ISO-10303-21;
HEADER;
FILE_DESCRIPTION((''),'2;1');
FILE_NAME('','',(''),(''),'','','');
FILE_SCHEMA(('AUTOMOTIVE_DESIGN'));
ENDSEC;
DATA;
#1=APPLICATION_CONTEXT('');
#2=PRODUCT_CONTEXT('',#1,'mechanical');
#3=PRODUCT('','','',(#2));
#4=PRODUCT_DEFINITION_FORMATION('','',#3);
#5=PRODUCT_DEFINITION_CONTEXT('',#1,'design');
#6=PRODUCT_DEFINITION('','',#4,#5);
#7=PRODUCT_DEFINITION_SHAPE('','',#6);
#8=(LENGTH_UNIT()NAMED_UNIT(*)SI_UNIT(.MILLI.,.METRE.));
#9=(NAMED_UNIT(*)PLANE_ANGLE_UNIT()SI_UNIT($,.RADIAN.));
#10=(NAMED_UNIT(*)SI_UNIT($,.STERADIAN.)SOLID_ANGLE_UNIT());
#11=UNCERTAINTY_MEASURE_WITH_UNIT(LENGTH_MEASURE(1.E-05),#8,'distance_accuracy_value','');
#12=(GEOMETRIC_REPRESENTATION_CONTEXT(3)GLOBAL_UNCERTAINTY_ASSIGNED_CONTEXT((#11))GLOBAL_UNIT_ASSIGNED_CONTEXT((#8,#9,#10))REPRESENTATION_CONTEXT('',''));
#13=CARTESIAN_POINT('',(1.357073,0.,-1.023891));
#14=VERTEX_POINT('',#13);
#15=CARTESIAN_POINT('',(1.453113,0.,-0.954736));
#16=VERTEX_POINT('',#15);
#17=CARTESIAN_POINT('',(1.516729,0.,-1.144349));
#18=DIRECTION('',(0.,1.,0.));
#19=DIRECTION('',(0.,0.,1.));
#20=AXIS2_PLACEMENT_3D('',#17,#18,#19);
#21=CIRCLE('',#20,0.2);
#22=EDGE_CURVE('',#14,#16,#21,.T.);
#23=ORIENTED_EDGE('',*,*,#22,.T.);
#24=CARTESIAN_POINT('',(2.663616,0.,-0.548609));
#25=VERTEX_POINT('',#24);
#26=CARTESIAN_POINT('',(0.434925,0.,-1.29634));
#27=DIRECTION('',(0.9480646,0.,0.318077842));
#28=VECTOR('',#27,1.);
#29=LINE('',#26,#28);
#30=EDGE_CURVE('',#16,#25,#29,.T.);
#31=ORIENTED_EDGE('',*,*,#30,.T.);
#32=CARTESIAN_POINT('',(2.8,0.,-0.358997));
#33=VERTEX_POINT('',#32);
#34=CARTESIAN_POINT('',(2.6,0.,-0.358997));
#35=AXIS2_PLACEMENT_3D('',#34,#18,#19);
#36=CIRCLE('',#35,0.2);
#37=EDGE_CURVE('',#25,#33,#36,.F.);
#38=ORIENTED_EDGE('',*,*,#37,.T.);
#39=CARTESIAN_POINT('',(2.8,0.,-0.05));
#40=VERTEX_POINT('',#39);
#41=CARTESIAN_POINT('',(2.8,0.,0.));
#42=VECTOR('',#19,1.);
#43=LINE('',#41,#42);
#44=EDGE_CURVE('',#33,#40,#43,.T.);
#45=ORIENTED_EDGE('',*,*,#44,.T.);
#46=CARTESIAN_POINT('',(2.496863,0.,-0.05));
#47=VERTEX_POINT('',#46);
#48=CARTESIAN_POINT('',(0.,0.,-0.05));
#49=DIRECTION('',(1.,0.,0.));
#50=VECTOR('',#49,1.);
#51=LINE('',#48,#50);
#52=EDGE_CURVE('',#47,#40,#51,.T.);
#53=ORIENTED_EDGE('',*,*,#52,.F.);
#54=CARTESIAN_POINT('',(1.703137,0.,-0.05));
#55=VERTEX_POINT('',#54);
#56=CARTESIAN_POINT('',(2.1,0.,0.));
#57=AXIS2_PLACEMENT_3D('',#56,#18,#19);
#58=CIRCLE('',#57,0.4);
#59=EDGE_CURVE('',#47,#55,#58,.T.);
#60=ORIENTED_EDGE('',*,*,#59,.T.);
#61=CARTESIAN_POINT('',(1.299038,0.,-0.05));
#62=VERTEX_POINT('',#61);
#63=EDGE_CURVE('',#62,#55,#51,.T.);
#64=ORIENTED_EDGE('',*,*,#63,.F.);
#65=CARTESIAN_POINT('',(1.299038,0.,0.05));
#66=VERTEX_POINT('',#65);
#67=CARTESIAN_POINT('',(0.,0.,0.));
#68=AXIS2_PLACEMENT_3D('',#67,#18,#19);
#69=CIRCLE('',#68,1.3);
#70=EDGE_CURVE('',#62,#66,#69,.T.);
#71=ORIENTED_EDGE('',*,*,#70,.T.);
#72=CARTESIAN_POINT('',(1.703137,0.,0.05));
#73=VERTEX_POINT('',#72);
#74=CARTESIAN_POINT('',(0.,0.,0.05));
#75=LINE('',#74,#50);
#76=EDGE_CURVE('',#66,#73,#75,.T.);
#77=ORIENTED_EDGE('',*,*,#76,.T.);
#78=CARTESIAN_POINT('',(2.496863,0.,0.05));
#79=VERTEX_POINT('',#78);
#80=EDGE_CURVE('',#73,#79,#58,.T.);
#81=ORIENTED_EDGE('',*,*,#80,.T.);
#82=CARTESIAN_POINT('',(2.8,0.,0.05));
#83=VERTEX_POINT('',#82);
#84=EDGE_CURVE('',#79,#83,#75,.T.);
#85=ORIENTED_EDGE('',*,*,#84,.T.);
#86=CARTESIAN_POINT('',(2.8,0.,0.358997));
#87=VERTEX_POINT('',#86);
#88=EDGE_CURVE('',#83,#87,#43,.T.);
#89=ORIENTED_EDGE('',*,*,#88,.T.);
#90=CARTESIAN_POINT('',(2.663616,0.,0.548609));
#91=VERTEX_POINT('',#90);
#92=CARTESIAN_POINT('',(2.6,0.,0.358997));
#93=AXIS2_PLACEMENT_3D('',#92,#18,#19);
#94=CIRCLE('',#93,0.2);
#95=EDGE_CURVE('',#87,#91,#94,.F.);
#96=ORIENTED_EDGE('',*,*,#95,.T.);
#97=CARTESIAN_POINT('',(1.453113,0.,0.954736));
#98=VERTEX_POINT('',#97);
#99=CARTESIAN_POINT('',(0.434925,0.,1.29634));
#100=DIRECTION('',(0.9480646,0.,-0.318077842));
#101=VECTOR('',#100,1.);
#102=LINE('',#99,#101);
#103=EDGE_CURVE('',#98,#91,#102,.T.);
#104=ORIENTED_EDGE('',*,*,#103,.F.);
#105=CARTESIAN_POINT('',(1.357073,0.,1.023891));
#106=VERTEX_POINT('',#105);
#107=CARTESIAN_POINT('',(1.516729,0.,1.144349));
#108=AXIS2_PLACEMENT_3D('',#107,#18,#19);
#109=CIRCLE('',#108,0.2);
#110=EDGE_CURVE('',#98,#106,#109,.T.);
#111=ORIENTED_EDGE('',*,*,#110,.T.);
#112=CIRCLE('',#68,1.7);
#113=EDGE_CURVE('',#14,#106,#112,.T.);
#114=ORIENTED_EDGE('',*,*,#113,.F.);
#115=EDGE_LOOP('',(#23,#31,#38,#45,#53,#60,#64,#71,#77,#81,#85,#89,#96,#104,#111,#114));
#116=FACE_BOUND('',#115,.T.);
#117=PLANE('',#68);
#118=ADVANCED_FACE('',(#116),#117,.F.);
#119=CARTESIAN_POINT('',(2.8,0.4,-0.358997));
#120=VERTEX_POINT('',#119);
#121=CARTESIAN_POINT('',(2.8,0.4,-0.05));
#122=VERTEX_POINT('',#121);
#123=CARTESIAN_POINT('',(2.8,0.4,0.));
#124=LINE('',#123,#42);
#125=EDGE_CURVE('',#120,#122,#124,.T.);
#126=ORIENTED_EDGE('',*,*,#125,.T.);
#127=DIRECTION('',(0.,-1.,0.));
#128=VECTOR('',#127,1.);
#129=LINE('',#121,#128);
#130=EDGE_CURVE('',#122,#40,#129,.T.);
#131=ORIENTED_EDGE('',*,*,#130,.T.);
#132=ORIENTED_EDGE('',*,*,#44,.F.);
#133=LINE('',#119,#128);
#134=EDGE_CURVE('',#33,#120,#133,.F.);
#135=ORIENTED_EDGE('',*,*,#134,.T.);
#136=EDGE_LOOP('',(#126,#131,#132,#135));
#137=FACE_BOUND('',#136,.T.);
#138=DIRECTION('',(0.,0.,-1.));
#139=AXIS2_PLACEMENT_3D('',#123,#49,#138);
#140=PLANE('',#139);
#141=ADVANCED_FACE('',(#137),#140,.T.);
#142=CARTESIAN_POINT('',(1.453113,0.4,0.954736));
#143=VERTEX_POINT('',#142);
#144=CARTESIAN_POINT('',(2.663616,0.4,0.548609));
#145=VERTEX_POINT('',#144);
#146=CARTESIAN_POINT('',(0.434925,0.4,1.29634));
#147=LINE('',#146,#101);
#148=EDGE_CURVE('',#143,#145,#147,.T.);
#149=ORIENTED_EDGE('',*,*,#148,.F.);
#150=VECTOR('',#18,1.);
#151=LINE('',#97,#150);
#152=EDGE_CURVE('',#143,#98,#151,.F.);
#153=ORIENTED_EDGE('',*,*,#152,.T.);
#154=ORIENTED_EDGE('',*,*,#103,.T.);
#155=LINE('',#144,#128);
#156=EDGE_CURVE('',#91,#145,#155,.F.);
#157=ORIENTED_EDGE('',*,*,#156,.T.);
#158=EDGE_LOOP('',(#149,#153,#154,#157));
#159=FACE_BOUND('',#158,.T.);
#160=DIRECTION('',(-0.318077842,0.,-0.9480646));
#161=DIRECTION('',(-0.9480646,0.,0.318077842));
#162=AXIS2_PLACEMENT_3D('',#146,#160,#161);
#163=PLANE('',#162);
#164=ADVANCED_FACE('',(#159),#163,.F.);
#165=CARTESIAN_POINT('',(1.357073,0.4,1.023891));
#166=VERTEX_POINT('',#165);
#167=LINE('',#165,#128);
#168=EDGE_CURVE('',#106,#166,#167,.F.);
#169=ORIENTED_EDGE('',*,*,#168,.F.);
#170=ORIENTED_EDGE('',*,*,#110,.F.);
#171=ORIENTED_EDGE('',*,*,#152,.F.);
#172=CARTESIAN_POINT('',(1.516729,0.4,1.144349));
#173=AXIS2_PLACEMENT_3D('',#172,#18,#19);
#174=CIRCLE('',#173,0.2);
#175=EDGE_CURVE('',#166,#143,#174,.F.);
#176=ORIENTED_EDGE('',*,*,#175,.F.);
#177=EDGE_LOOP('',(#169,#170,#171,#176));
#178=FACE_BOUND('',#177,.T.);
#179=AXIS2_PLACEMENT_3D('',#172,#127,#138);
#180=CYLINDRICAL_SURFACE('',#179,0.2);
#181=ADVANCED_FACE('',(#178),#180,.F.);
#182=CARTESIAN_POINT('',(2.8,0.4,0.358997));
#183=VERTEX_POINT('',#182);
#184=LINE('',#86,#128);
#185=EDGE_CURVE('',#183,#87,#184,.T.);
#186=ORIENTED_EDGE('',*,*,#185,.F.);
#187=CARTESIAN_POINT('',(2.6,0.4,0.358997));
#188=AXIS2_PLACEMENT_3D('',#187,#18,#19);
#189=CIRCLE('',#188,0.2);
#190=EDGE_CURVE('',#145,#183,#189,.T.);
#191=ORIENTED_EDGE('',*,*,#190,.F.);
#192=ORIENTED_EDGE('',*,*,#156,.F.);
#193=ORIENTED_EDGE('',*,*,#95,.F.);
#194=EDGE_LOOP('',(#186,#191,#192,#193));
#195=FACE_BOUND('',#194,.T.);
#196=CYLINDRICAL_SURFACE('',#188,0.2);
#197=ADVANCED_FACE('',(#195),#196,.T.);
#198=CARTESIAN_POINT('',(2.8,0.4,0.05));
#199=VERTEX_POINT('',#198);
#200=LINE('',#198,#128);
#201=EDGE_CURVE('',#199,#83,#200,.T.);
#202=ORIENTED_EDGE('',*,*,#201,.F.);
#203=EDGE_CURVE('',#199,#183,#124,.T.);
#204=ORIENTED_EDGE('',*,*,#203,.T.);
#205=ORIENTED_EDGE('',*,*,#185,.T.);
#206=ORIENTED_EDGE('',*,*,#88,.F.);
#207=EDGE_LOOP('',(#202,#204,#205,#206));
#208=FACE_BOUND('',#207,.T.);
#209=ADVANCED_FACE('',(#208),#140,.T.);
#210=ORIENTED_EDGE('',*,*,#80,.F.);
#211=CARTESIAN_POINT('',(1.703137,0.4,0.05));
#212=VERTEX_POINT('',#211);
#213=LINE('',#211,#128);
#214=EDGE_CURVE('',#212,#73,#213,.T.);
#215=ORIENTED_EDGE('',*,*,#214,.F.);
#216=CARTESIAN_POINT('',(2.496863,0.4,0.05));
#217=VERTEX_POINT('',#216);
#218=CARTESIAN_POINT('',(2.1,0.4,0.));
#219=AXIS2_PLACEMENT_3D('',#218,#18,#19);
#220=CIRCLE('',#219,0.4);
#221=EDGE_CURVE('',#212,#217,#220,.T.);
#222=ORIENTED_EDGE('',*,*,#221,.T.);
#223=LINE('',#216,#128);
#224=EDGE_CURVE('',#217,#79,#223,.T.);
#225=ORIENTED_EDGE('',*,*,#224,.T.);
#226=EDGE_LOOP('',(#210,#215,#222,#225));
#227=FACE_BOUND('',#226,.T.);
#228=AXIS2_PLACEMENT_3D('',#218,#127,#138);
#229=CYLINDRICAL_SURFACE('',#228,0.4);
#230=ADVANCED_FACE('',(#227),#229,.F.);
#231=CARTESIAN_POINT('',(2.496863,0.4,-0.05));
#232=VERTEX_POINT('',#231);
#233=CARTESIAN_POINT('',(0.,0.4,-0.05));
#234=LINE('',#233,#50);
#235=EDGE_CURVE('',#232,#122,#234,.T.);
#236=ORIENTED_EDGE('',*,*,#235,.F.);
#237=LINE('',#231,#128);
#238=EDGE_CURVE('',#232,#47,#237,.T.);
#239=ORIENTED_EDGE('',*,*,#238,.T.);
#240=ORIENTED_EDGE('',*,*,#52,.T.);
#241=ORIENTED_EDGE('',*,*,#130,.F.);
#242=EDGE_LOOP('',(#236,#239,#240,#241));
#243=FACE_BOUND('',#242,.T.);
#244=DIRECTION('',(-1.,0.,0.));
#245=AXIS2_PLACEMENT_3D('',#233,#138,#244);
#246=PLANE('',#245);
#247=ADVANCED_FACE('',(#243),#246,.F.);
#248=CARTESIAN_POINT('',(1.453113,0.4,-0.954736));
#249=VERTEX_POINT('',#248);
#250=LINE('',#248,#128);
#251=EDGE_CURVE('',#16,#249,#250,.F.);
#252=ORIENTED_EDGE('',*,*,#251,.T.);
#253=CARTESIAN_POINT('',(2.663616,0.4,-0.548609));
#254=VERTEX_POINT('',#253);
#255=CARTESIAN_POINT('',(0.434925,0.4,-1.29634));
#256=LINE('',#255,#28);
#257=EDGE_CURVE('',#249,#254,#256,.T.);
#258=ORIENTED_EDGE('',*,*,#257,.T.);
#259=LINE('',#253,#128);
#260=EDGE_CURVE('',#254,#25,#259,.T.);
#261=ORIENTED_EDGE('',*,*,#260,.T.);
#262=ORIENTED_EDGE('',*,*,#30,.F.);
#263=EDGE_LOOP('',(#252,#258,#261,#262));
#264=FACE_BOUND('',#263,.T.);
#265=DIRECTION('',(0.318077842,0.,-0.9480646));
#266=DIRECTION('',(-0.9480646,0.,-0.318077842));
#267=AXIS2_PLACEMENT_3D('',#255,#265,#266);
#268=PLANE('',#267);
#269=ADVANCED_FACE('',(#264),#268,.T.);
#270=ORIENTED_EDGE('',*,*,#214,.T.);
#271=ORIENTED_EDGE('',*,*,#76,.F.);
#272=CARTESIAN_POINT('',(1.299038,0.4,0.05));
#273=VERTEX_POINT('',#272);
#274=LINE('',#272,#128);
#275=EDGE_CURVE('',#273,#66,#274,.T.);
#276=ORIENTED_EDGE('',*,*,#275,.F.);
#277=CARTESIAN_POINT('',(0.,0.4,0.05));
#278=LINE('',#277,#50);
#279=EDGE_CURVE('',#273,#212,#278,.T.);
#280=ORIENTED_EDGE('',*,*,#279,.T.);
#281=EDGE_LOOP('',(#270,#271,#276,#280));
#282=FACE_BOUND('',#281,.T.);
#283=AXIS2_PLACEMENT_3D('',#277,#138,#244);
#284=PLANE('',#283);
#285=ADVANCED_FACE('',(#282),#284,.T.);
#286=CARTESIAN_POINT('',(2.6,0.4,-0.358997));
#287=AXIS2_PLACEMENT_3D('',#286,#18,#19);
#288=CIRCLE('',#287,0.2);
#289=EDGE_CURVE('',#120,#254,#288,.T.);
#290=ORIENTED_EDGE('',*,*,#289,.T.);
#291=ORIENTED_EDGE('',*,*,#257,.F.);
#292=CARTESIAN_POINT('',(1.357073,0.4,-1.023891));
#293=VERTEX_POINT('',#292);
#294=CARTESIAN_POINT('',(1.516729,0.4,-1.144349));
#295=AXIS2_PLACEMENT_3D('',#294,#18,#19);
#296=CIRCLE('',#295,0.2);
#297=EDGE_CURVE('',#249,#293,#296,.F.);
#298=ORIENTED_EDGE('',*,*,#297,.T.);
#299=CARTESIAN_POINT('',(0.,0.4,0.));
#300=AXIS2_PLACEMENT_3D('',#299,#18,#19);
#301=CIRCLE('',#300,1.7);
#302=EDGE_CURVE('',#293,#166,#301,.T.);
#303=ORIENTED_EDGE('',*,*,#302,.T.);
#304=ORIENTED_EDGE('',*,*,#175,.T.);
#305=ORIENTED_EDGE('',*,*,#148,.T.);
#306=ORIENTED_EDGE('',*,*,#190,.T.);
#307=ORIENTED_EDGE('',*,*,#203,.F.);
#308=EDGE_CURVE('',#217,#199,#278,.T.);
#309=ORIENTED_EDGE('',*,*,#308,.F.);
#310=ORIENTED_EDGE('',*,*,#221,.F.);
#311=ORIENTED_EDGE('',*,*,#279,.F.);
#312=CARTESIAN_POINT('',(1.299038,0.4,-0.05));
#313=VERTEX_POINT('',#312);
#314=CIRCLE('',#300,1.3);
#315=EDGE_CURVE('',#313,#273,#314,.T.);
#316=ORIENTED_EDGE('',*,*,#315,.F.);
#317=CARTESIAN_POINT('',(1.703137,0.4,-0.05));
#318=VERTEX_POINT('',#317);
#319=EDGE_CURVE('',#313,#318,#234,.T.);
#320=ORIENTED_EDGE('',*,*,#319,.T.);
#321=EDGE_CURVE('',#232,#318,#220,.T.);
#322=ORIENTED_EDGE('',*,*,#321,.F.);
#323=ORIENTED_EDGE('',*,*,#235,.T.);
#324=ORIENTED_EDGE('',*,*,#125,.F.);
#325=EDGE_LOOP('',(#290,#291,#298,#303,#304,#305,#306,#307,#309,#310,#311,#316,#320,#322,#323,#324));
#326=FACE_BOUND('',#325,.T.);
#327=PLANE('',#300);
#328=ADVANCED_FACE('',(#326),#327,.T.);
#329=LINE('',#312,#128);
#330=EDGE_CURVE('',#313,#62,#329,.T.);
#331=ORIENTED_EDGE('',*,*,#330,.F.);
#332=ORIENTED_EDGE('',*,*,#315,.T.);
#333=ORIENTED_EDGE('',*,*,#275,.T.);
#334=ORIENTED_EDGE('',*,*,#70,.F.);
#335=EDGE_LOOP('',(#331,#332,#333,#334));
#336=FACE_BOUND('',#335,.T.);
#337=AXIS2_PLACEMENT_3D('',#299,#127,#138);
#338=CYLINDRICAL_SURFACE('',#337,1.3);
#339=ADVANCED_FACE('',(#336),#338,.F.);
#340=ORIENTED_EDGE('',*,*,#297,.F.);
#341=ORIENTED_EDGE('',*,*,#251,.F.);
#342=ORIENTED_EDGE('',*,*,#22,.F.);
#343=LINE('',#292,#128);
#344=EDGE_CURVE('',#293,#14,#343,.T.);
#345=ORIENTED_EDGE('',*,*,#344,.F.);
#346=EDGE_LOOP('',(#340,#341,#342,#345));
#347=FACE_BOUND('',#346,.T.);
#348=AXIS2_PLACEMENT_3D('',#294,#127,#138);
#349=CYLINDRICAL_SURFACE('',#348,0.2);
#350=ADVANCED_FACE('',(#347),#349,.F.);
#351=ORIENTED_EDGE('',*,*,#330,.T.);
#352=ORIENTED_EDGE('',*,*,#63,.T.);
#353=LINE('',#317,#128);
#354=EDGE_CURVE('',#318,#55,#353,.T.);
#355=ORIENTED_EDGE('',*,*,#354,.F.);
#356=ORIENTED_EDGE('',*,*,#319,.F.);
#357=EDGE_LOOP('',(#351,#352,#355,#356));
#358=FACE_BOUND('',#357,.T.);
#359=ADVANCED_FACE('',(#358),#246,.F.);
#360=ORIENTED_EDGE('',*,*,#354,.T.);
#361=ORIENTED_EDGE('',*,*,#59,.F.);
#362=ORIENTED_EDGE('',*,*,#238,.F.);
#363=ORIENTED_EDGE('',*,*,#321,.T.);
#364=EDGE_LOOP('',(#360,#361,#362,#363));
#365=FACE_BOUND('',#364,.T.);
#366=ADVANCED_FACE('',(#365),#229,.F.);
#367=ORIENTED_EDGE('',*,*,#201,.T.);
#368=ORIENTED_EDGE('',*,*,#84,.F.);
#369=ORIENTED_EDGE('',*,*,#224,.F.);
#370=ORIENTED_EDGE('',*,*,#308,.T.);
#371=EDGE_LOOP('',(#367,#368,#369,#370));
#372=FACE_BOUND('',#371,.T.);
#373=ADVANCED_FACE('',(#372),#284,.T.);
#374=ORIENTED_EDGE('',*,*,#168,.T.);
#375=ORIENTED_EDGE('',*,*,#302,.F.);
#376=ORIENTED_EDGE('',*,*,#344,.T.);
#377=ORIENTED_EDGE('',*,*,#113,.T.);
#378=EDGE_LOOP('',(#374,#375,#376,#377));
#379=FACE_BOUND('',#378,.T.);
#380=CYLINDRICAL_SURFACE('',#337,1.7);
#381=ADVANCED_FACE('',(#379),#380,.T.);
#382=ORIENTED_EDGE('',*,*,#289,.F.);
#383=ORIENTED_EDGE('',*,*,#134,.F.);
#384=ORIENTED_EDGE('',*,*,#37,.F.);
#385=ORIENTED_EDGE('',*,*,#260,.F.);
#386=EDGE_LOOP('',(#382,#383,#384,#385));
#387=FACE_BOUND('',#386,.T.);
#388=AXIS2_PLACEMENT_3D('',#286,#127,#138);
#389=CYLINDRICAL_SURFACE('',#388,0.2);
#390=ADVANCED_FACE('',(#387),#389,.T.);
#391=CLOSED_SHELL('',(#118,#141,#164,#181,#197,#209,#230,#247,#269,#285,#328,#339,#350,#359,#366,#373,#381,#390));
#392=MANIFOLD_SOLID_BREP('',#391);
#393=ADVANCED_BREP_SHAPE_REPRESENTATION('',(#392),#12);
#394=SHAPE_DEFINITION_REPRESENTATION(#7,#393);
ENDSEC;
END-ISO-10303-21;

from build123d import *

# Parameters (mm, degrees)
BOSS_EXTRUDE1_DEPTH = 0.4
FILLET1_R           = 0.2


with BuildPart() as part:
    # Sketch1 → Boss-Extrude1 (new body)
    with BuildSketch(Plane(origin=(0, 0, 0), x_dir=(1, 0, 0), z_dir=(0, 1, 0))):
        with BuildLine():
            Line((2.8, 0.5028522), (1.392584, 0.975043488))
            ThreePointArc((1.392584, 0.975043488), (-1.7, 0), (1.392584, -0.975043488))
            Line((1.392584, -0.975043488), (2.8, -0.5028522))
            Line((2.8, -0.5028522), (2.8, -0.05))
            Line((2.8, -0.05), (2.496862697, -0.05))
            ThreePointArc((2.496862697, -0.05), (2.1, -0.4), (1.703137303, -0.05))
            Line((1.703137303, -0.05), (1.299038106, -0.05))
            ThreePointArc((1.299038106, -0.05), (-1.3, 0), (1.299038106, 0.05))
            Line((1.299038106, 0.05), (1.703137303, 0.05))
            ThreePointArc((1.703137303, 0.05), (2.1, 0.4), (2.496862697, 0.05))
            Line((2.496862697, 0.05), (2.8, 0.05))
            Line((2.8, 0.05), (2.8, 0.5028522))
        make_face()
    extrude(amount=BOSS_EXTRUDE1_DEPTH)

    # Fillet1
    fillet1_edges = [part.edges().sort_by_distance(p)[0] for p in [
        (2.8, 0.2, 0.5028522),
        (1.392584, 0.2, 0.975043488),
        (1.392584, 0.2, -0.975043488),
        (2.8, 0.2, -0.5028522),
    ]]
    fillet(fillet1_edges, radius=FILLET1_R)


solid = part.part
